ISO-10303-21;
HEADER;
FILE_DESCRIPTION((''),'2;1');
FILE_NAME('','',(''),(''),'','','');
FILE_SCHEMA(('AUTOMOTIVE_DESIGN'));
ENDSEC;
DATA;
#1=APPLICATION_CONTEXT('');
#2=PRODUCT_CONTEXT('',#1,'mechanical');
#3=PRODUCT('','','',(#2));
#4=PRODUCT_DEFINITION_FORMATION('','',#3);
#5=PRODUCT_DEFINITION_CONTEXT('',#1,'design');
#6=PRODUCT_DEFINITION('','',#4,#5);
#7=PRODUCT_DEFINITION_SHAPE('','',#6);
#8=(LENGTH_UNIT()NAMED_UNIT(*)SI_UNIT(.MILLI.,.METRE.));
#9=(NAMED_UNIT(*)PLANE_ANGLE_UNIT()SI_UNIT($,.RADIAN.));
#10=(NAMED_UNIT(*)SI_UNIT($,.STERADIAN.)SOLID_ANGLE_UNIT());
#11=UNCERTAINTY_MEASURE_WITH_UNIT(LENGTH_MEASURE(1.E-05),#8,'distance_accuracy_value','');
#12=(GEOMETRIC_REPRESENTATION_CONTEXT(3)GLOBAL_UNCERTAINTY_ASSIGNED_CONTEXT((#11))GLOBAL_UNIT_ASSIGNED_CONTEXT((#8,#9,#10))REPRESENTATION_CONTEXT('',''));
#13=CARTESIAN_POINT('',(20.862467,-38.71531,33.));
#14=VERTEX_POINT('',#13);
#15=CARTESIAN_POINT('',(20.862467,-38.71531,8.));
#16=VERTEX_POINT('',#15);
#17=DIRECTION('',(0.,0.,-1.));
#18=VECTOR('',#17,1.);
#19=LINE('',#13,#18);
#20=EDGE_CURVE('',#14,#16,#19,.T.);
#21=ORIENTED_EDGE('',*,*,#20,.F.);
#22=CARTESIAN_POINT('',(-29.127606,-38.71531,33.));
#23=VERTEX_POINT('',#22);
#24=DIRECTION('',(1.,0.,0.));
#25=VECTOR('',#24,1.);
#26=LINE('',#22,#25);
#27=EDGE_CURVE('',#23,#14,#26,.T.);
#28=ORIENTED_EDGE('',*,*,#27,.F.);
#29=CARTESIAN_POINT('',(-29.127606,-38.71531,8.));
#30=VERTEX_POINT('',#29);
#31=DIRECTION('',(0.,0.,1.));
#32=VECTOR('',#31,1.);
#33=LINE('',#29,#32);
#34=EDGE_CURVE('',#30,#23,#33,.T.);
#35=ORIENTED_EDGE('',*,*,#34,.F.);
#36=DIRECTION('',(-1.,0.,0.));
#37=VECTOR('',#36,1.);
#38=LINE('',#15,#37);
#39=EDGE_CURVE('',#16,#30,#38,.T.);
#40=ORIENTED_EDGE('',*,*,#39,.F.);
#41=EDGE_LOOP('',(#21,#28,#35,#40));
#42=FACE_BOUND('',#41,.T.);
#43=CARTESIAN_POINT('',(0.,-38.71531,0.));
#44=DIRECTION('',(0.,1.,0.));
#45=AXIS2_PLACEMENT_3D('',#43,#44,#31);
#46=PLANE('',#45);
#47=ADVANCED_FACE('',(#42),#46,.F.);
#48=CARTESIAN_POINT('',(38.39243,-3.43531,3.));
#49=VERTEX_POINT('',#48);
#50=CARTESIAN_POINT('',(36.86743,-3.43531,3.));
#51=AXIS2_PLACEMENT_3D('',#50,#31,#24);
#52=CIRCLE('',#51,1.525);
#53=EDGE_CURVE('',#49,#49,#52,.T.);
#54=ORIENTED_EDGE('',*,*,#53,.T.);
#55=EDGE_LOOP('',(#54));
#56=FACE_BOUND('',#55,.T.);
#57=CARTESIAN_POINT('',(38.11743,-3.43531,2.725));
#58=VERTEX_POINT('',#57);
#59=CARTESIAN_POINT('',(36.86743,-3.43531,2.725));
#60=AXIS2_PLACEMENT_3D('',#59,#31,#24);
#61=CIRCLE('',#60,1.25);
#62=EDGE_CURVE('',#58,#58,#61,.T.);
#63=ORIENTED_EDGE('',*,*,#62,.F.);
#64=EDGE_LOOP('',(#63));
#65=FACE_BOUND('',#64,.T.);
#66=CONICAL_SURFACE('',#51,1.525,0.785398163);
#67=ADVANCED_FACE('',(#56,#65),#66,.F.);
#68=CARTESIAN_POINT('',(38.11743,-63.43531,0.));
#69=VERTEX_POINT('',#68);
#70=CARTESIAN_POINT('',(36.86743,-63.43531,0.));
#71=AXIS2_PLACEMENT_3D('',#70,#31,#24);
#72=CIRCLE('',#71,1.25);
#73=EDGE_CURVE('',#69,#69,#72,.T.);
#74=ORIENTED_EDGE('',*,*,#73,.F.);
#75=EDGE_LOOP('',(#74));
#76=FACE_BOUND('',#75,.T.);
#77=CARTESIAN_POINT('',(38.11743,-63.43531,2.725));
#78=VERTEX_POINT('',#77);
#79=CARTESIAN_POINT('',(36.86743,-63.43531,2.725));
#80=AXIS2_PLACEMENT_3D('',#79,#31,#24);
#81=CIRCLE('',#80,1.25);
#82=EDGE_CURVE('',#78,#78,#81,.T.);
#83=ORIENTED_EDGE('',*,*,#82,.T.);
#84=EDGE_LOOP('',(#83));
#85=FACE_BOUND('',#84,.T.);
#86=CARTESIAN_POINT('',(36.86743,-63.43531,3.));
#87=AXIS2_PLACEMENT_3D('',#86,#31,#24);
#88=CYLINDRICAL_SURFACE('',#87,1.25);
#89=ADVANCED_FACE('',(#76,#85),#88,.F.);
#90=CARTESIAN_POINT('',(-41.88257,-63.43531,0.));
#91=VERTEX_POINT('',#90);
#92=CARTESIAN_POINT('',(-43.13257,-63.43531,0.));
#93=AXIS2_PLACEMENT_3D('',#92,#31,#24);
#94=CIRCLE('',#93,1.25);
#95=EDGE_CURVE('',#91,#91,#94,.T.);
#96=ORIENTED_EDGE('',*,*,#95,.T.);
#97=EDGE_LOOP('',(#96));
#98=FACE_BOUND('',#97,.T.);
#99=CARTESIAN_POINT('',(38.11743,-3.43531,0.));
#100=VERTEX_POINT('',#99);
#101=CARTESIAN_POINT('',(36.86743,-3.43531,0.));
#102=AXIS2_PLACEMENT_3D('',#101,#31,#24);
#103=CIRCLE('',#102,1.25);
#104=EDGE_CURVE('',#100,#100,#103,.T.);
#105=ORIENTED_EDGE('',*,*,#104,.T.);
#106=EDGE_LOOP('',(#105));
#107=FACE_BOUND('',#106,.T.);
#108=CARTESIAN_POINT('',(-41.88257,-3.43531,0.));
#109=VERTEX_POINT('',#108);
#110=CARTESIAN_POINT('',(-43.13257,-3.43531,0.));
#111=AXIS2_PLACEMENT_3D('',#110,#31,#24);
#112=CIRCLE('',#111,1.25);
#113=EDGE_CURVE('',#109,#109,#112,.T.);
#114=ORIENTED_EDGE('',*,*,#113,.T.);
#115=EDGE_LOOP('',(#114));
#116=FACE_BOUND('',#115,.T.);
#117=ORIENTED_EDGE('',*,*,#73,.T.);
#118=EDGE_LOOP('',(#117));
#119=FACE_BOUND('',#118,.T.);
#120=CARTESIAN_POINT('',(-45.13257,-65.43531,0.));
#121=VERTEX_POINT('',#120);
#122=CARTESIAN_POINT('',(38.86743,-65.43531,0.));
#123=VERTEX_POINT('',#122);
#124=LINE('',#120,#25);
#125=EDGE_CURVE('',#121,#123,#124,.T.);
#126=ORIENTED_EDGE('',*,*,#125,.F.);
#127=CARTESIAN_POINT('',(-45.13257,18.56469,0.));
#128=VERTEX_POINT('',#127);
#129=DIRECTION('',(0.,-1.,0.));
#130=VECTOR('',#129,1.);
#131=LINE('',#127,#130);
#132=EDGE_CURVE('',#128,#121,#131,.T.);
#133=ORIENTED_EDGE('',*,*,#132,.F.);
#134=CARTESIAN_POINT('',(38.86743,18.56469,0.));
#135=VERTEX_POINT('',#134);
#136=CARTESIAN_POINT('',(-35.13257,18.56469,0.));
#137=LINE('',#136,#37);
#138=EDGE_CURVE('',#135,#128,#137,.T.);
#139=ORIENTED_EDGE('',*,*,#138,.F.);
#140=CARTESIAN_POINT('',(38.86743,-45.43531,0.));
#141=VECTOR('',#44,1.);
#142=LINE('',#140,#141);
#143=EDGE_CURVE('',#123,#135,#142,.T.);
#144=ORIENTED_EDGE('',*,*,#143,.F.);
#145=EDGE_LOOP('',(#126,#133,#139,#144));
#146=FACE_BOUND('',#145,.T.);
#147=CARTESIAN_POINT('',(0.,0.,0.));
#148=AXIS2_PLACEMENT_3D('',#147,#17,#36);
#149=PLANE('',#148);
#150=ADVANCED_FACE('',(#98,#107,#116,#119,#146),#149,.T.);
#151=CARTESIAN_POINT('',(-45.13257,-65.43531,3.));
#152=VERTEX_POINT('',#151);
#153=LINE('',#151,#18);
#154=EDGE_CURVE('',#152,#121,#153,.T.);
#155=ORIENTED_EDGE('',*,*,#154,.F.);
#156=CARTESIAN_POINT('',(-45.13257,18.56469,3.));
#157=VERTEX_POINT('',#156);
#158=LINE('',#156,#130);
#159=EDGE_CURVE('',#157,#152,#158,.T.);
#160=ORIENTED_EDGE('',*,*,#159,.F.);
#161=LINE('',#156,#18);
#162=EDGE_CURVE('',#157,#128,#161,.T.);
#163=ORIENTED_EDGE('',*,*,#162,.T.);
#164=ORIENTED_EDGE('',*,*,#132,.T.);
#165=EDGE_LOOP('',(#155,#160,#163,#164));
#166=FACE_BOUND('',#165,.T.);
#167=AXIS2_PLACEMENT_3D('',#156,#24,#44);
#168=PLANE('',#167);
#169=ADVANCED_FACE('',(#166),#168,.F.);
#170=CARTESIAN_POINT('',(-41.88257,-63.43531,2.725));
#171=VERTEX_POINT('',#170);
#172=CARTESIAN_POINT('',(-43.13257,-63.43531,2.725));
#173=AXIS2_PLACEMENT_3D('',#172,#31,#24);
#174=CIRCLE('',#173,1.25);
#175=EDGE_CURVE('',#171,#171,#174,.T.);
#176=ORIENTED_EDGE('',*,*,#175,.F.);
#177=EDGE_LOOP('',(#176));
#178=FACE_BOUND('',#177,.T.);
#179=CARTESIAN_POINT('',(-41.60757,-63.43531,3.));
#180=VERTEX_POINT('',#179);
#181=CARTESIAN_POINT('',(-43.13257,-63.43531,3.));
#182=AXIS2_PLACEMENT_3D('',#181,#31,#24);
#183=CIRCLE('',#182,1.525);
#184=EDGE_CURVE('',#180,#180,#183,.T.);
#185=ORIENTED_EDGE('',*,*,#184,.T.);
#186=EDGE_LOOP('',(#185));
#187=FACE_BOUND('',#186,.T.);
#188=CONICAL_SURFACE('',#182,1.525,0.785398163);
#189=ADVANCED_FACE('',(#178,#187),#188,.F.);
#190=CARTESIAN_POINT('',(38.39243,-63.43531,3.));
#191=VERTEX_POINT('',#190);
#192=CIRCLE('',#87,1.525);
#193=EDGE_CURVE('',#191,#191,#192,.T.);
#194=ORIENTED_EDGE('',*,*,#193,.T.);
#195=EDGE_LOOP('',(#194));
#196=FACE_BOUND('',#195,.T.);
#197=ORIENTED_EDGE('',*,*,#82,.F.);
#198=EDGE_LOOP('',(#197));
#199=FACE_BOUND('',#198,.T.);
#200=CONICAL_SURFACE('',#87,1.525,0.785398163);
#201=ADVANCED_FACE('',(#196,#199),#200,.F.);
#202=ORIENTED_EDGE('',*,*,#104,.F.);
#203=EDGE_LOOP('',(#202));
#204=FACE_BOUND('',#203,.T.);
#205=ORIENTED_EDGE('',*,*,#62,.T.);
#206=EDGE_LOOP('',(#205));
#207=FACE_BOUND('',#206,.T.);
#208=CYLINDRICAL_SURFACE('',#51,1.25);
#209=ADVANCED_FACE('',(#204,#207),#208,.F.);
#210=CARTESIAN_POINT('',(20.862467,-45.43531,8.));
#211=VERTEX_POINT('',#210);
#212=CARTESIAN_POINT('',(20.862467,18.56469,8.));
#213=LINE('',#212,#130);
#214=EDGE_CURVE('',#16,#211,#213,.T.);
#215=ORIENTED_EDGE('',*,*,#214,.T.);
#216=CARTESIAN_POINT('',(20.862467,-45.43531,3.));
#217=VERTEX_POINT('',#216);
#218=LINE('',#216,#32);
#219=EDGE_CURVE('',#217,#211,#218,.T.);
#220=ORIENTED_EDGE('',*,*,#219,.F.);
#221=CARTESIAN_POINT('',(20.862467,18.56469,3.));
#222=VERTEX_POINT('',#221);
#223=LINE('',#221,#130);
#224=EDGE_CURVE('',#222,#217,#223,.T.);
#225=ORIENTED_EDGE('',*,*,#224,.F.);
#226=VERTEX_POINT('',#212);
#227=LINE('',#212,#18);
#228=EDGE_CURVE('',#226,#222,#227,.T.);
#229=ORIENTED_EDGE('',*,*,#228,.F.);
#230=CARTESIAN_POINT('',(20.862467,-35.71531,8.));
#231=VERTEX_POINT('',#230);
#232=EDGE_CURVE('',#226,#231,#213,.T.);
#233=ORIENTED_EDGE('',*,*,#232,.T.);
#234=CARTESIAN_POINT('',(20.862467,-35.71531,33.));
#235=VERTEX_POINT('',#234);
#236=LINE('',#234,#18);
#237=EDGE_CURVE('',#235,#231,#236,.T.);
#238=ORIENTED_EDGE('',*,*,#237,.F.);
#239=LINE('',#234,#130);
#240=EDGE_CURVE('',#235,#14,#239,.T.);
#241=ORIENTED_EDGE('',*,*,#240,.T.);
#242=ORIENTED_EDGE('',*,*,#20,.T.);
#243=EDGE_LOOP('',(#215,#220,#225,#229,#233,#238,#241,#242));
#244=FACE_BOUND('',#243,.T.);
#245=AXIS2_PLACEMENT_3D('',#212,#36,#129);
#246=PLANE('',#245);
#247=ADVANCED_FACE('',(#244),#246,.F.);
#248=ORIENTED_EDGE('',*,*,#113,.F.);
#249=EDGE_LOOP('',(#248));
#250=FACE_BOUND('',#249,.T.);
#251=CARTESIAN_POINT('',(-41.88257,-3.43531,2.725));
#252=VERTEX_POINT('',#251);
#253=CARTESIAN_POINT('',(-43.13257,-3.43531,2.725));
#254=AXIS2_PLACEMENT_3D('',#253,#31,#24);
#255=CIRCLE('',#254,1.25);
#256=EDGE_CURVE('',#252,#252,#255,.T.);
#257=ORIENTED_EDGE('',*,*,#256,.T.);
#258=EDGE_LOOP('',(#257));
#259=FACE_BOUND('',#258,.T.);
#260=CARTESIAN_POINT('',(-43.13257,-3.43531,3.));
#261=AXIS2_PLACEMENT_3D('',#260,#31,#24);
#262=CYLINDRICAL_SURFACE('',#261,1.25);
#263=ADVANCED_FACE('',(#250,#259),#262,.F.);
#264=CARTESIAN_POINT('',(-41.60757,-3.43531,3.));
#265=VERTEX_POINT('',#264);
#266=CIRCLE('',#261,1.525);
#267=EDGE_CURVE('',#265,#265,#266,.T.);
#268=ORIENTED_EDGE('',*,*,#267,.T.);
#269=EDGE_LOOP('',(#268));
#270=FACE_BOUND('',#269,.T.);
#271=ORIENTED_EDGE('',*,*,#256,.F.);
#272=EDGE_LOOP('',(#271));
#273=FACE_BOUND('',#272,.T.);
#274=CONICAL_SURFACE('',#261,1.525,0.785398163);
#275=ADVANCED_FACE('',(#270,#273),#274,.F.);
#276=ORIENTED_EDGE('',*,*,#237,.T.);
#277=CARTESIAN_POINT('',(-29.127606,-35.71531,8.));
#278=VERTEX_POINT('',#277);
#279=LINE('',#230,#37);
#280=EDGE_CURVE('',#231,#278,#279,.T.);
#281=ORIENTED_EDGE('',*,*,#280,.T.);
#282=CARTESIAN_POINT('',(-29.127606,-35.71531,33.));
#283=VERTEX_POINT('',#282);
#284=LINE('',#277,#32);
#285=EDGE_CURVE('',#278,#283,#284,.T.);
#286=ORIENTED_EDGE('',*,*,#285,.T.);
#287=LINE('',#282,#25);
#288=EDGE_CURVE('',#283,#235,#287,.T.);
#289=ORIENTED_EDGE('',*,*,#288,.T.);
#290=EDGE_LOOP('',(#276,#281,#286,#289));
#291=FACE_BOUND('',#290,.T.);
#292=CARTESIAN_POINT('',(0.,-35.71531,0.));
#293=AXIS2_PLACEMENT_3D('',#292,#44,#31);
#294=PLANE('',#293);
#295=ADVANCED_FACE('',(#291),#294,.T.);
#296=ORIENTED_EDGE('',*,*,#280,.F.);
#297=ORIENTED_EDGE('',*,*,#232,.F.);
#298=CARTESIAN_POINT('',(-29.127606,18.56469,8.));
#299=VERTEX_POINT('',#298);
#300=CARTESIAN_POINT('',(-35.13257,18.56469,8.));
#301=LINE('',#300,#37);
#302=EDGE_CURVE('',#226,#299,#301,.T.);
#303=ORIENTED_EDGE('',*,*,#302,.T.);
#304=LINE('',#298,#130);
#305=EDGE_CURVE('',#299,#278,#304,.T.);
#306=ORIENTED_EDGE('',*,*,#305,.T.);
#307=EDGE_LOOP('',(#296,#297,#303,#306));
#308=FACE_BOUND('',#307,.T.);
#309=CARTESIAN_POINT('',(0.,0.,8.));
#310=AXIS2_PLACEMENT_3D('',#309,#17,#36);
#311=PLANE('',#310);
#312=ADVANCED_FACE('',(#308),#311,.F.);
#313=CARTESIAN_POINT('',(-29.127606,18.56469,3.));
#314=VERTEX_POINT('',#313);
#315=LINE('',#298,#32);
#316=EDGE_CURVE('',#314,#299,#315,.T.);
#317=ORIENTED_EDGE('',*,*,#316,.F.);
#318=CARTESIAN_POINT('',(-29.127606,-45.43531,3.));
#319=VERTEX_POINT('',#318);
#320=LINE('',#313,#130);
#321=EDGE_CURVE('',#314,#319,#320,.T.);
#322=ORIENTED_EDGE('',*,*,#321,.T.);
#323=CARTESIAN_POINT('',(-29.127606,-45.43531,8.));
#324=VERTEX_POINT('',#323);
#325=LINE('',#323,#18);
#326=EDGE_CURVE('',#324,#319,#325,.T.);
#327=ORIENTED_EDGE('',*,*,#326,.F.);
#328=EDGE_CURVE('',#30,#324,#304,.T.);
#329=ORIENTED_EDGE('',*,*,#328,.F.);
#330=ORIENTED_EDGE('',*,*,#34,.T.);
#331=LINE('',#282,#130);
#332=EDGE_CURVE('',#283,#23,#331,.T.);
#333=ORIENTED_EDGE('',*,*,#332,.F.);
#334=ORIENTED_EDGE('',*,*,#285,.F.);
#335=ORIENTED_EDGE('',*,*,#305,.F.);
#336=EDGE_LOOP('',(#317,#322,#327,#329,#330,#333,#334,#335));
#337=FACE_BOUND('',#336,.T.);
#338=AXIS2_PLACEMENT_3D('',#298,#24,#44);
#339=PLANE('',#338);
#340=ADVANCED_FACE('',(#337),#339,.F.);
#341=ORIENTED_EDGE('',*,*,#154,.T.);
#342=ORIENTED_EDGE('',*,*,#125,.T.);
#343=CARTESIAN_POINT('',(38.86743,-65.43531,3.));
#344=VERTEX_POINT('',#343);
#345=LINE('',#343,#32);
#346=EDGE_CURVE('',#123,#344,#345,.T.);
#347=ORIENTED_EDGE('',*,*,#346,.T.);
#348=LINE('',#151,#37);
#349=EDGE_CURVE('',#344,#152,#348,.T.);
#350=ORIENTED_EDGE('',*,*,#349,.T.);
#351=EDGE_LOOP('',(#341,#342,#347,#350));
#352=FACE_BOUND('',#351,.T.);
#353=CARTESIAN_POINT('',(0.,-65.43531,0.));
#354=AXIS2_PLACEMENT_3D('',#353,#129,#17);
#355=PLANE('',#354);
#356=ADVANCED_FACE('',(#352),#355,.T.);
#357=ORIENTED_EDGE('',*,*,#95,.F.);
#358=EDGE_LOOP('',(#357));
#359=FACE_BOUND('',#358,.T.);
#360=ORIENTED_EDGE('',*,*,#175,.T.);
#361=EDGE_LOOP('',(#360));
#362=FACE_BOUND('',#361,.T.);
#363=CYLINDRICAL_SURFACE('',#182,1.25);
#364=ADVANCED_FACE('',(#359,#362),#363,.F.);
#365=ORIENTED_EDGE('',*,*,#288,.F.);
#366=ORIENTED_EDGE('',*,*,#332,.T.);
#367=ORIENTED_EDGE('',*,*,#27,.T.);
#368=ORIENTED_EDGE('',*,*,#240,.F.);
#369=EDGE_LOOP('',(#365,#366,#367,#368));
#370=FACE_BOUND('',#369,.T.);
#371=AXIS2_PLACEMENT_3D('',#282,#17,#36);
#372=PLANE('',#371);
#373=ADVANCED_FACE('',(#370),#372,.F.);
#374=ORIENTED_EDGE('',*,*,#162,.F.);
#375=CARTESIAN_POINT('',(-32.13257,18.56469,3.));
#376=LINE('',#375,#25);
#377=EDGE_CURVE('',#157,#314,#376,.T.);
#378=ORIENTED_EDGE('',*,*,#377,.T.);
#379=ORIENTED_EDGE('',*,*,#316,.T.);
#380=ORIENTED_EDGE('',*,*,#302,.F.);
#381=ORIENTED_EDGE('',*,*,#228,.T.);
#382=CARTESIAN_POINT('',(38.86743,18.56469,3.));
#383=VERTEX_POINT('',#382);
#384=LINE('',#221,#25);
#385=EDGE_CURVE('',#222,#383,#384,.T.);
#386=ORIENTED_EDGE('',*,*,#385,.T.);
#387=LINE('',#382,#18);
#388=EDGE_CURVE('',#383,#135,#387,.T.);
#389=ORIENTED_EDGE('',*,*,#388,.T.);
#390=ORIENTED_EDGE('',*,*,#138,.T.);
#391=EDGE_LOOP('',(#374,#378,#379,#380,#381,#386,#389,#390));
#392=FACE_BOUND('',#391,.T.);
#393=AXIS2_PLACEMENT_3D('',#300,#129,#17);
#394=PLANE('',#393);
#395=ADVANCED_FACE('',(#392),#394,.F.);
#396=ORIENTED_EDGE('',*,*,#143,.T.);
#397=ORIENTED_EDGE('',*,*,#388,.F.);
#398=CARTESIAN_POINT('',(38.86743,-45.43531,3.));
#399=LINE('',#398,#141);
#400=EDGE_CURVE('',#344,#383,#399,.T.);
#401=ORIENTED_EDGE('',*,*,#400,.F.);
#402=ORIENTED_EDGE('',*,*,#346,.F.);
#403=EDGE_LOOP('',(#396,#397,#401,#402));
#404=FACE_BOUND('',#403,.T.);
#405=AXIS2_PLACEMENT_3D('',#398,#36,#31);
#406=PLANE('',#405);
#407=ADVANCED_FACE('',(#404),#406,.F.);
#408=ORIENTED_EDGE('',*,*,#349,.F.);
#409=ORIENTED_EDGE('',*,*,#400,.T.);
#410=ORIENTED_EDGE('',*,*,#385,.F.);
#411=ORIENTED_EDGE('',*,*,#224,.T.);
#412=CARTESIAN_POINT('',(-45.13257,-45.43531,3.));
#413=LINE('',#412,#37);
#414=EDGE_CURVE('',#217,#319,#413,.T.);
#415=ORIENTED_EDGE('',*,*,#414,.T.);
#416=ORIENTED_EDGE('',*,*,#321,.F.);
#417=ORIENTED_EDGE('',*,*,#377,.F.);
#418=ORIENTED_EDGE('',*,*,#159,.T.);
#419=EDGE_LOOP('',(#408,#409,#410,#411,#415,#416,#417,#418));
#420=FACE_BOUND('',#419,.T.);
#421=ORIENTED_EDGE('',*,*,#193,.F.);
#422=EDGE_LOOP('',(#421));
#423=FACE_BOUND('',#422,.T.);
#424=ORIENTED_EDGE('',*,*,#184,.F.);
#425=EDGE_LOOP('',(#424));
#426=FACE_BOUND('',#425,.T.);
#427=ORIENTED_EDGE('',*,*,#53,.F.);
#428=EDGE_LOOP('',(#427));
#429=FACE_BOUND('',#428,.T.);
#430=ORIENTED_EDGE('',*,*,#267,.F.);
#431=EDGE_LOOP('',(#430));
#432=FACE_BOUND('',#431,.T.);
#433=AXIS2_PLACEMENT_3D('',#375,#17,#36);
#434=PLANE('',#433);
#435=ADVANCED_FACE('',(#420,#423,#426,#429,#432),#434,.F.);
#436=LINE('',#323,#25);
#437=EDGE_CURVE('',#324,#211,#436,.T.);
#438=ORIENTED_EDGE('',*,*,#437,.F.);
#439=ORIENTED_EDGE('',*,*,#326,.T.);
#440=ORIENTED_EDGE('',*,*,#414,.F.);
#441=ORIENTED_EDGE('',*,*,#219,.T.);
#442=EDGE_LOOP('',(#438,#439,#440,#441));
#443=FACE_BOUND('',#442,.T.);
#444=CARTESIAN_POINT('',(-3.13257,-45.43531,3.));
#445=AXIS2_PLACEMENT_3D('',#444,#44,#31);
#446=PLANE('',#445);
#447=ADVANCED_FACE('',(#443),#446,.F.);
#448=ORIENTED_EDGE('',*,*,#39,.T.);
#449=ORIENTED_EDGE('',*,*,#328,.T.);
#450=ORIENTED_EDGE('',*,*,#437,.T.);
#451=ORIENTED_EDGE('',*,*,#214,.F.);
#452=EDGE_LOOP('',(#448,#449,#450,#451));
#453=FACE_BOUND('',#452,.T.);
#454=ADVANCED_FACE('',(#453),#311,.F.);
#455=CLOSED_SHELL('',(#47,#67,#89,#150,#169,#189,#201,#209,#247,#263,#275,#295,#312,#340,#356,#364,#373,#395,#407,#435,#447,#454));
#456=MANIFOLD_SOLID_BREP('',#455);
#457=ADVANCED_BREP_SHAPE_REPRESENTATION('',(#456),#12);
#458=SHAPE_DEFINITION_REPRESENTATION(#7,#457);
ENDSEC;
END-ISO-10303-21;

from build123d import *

# Parameters (mm, degrees)
SKETCH_2_W                   = 62
SKETCH_2_H                   = 45
EXTRUDE_3_DEPTH              = 8
SKETCH_3_W                   = 3.004963504
SKETCH_3_H                   = 5
CUT_EXTRUDE_1_DEPTH          = 58.648048048
EXTRUDE_4_DEPTH              = 3
SKETCH_6_W                   = 3
SKETCH_6_H                   = 5
EXTRUDE_5_DEPTH              = 2
SKETCH_7_W                   = 3
SKETCH_7_H                   = 5
EXTRUDE_6_DEPTH              = 2
SKETCH_8_W                   = 49.990072992
SKETCH_8_H                   = 5
EXTRUDE_7_DEPTH              = 2
SKETCH_9_W                   = 3
SKETCH_9_H                   = 5
CUT_EXTRUDE_2_DEPTH          = 66.65020057
SKETCH_10_W                  = 3
SKETCH_10_H                  = 5
CUT_EXTRUDE_4_DEPTH          = 66.65020057
SKETCH_11_W                  = 49.990072992
SKETCH_11_H                  = 5
EXTRUDE_8_DEPTH              = 17
SKETCH_12_W                  = 49.990072992
SKETCH_12_H                  = 3
EXTRUDE_9_DEPTH              = 25
EXTRUDE_START                = 3.72
SKETCH_16_W                  = 49.990072992
SKETCH_16_H                  = 25
EXTRUDE_10_DEPTH             = 3
SKETCH_17_W                  = 49.990072992
SKETCH_17_H                  = 25
CUT_EXTRUDE_5_DEPTH          = 81.043408441
SKETCH_18_W                  = 84
SKETCH_18_H                  = 3
EXTRUDE_11_DEPTH             = 20
HOLE_WIZARD_M3_2_D           = 2.5
HOLE_WIZARD_M3_2_CSINK_D     = 3.05
HOLE_WIZARD_M3_2_CSINK_ANGLE = 90


with BuildPart() as part:
    # 草图2 → 凸台-拉伸3 (new body)
    with BuildSketch(Plane.XY):
        with Locations((-4.132569558, -3.93531014)):
            Rectangle(SKETCH_2_W, SKETCH_2_H)
    extrude(amount=EXTRUDE_3_DEPTH)

    # 草图3 → 切除-拉伸1 (cut, through all)
    with BuildSketch(Plane.XZ.offset(26.43531014)):
        with Locations((-30.630087806, 5.5)):
            Rectangle(SKETCH_3_W, SKETCH_3_H)
        with Locations((22.36494869, 5.5)):
            Rectangle(SKETCH_3_W, SKETCH_3_H)
    extrude(amount=-CUT_EXTRUDE_1_DEPTH, mode=Mode.SUBTRACT)

    # 草图5 → 凸台-拉伸4 (add)
    with BuildSketch(Plane(origin=(0, 0, 0), x_dir=(-1, 0, 0), z_dir=(0, 0, -1))):
        Polygon((-38.867430442, -45.43531014), (-38.867430442, 18.56468986), (45.132569558, 18.56468986), (45.132569558, -45.43531014), (3.132569558, -45.43531014), align=None)
    extrude(amount=-EXTRUDE_4_DEPTH)

    # 草图6 → 凸台-拉伸5 (add)
    with BuildSketch(Plane.XZ.offset(26.43531014)):
        with Locations((-33.632569558, 5.5)):
            Rectangle(SKETCH_6_W, SKETCH_6_H)
    extrude(amount=EXTRUDE_5_DEPTH)

    # 草图7 → 凸台-拉伸6 (add)
    with BuildSketch(Plane.XZ.offset(26.43531014)):
        with Locations((25.367430442, 5.5)):
            Rectangle(SKETCH_7_W, SKETCH_7_H)
    extrude(amount=EXTRUDE_6_DEPTH)

    # 草图8 → 凸台-拉伸7 (add)
    with BuildSketch(Plane.XZ.offset(26.43531014)):
        with Locations((-4.132569558, 5.5)):
            Rectangle(SKETCH_8_W, SKETCH_8_H)
    extrude(amount=EXTRUDE_7_DEPTH)

    # 草图9 → 切除-拉伸2 (cut, through all)
    with BuildSketch(Plane.XZ.offset(28.43531014)):
        with Locations((-33.632569558, 5.5)):
            Rectangle(SKETCH_9_W, SKETCH_9_H)
    extrude(amount=-CUT_EXTRUDE_2_DEPTH, mode=Mode.SUBTRACT)

    # 草图10 → 切除-拉伸4 (cut, through all)
    with BuildSketch(Plane.XZ.offset(28.43531014)):
        with Locations((25.367430442, 5.5)):
            Rectangle(SKETCH_10_W, SKETCH_10_H)
    extrude(amount=-CUT_EXTRUDE_4_DEPTH, mode=Mode.SUBTRACT)

    # 草图11 → 凸台-拉伸8 (add)
    with BuildSketch(Plane.XZ.offset(28.43531014)):
        with Locations((-4.132569558, 5.5)):
            Rectangle(SKETCH_11_W, SKETCH_11_H)
    extrude(amount=EXTRUDE_8_DEPTH)

    # 草图12 → 凸台-拉伸9 (add)
    with BuildSketch(Plane.XY.offset(8)):
        with Locations((-4.132569558, -43.93531014)):
            Rectangle(SKETCH_12_W, SKETCH_12_H)
    extrude(amount=EXTRUDE_9_DEPTH)

    # 草图16 → 凸台-拉伸10 (add)
    with BuildSketch(Plane(origin=(0, -42.43531014, 0), x_dir=(1, 0, 0), z_dir=(0, 1, 0)).offset(EXTRUDE_START)):
        with Locations((-4.132569558, -20.5)):
            Rectangle(SKETCH_16_W, SKETCH_16_H)
    extrude(amount=EXTRUDE_10_DEPTH)

    # 草图17 → 切除-拉伸5 (cut, through all)
    with BuildSketch(Plane.XZ.offset(38.71531014)):
        with Locations((-4.132569558, 20.5)):
            Rectangle(SKETCH_17_W, SKETCH_17_H)
    extrude(amount=CUT_EXTRUDE_5_DEPTH, mode=Mode.SUBTRACT)

    # 草图18 → 凸台-拉伸11 (add)
    with BuildSketch(Plane.XZ.offset(45.43531014)):
        with Locations((-3.132569558, 1.5)):
            Rectangle(SKETCH_18_W, SKETCH_18_H)
    extrude(amount=EXTRUDE_11_DEPTH)

    # M3 螺纹孔2 (through all)
    with Locations(Plane.XY.offset(3)):
        with Locations((-43.132569558, -3.43531014), (36.867430442, -3.43531014), (36.867430442, -63.43531014), (-43.132569558, -63.43531014)):
            CounterSinkHole(HOLE_WIZARD_M3_2_D / 2, HOLE_WIZARD_M3_2_CSINK_D / 2, counter_sink_angle=HOLE_WIZARD_M3_2_CSINK_ANGLE)


solid = part.part
